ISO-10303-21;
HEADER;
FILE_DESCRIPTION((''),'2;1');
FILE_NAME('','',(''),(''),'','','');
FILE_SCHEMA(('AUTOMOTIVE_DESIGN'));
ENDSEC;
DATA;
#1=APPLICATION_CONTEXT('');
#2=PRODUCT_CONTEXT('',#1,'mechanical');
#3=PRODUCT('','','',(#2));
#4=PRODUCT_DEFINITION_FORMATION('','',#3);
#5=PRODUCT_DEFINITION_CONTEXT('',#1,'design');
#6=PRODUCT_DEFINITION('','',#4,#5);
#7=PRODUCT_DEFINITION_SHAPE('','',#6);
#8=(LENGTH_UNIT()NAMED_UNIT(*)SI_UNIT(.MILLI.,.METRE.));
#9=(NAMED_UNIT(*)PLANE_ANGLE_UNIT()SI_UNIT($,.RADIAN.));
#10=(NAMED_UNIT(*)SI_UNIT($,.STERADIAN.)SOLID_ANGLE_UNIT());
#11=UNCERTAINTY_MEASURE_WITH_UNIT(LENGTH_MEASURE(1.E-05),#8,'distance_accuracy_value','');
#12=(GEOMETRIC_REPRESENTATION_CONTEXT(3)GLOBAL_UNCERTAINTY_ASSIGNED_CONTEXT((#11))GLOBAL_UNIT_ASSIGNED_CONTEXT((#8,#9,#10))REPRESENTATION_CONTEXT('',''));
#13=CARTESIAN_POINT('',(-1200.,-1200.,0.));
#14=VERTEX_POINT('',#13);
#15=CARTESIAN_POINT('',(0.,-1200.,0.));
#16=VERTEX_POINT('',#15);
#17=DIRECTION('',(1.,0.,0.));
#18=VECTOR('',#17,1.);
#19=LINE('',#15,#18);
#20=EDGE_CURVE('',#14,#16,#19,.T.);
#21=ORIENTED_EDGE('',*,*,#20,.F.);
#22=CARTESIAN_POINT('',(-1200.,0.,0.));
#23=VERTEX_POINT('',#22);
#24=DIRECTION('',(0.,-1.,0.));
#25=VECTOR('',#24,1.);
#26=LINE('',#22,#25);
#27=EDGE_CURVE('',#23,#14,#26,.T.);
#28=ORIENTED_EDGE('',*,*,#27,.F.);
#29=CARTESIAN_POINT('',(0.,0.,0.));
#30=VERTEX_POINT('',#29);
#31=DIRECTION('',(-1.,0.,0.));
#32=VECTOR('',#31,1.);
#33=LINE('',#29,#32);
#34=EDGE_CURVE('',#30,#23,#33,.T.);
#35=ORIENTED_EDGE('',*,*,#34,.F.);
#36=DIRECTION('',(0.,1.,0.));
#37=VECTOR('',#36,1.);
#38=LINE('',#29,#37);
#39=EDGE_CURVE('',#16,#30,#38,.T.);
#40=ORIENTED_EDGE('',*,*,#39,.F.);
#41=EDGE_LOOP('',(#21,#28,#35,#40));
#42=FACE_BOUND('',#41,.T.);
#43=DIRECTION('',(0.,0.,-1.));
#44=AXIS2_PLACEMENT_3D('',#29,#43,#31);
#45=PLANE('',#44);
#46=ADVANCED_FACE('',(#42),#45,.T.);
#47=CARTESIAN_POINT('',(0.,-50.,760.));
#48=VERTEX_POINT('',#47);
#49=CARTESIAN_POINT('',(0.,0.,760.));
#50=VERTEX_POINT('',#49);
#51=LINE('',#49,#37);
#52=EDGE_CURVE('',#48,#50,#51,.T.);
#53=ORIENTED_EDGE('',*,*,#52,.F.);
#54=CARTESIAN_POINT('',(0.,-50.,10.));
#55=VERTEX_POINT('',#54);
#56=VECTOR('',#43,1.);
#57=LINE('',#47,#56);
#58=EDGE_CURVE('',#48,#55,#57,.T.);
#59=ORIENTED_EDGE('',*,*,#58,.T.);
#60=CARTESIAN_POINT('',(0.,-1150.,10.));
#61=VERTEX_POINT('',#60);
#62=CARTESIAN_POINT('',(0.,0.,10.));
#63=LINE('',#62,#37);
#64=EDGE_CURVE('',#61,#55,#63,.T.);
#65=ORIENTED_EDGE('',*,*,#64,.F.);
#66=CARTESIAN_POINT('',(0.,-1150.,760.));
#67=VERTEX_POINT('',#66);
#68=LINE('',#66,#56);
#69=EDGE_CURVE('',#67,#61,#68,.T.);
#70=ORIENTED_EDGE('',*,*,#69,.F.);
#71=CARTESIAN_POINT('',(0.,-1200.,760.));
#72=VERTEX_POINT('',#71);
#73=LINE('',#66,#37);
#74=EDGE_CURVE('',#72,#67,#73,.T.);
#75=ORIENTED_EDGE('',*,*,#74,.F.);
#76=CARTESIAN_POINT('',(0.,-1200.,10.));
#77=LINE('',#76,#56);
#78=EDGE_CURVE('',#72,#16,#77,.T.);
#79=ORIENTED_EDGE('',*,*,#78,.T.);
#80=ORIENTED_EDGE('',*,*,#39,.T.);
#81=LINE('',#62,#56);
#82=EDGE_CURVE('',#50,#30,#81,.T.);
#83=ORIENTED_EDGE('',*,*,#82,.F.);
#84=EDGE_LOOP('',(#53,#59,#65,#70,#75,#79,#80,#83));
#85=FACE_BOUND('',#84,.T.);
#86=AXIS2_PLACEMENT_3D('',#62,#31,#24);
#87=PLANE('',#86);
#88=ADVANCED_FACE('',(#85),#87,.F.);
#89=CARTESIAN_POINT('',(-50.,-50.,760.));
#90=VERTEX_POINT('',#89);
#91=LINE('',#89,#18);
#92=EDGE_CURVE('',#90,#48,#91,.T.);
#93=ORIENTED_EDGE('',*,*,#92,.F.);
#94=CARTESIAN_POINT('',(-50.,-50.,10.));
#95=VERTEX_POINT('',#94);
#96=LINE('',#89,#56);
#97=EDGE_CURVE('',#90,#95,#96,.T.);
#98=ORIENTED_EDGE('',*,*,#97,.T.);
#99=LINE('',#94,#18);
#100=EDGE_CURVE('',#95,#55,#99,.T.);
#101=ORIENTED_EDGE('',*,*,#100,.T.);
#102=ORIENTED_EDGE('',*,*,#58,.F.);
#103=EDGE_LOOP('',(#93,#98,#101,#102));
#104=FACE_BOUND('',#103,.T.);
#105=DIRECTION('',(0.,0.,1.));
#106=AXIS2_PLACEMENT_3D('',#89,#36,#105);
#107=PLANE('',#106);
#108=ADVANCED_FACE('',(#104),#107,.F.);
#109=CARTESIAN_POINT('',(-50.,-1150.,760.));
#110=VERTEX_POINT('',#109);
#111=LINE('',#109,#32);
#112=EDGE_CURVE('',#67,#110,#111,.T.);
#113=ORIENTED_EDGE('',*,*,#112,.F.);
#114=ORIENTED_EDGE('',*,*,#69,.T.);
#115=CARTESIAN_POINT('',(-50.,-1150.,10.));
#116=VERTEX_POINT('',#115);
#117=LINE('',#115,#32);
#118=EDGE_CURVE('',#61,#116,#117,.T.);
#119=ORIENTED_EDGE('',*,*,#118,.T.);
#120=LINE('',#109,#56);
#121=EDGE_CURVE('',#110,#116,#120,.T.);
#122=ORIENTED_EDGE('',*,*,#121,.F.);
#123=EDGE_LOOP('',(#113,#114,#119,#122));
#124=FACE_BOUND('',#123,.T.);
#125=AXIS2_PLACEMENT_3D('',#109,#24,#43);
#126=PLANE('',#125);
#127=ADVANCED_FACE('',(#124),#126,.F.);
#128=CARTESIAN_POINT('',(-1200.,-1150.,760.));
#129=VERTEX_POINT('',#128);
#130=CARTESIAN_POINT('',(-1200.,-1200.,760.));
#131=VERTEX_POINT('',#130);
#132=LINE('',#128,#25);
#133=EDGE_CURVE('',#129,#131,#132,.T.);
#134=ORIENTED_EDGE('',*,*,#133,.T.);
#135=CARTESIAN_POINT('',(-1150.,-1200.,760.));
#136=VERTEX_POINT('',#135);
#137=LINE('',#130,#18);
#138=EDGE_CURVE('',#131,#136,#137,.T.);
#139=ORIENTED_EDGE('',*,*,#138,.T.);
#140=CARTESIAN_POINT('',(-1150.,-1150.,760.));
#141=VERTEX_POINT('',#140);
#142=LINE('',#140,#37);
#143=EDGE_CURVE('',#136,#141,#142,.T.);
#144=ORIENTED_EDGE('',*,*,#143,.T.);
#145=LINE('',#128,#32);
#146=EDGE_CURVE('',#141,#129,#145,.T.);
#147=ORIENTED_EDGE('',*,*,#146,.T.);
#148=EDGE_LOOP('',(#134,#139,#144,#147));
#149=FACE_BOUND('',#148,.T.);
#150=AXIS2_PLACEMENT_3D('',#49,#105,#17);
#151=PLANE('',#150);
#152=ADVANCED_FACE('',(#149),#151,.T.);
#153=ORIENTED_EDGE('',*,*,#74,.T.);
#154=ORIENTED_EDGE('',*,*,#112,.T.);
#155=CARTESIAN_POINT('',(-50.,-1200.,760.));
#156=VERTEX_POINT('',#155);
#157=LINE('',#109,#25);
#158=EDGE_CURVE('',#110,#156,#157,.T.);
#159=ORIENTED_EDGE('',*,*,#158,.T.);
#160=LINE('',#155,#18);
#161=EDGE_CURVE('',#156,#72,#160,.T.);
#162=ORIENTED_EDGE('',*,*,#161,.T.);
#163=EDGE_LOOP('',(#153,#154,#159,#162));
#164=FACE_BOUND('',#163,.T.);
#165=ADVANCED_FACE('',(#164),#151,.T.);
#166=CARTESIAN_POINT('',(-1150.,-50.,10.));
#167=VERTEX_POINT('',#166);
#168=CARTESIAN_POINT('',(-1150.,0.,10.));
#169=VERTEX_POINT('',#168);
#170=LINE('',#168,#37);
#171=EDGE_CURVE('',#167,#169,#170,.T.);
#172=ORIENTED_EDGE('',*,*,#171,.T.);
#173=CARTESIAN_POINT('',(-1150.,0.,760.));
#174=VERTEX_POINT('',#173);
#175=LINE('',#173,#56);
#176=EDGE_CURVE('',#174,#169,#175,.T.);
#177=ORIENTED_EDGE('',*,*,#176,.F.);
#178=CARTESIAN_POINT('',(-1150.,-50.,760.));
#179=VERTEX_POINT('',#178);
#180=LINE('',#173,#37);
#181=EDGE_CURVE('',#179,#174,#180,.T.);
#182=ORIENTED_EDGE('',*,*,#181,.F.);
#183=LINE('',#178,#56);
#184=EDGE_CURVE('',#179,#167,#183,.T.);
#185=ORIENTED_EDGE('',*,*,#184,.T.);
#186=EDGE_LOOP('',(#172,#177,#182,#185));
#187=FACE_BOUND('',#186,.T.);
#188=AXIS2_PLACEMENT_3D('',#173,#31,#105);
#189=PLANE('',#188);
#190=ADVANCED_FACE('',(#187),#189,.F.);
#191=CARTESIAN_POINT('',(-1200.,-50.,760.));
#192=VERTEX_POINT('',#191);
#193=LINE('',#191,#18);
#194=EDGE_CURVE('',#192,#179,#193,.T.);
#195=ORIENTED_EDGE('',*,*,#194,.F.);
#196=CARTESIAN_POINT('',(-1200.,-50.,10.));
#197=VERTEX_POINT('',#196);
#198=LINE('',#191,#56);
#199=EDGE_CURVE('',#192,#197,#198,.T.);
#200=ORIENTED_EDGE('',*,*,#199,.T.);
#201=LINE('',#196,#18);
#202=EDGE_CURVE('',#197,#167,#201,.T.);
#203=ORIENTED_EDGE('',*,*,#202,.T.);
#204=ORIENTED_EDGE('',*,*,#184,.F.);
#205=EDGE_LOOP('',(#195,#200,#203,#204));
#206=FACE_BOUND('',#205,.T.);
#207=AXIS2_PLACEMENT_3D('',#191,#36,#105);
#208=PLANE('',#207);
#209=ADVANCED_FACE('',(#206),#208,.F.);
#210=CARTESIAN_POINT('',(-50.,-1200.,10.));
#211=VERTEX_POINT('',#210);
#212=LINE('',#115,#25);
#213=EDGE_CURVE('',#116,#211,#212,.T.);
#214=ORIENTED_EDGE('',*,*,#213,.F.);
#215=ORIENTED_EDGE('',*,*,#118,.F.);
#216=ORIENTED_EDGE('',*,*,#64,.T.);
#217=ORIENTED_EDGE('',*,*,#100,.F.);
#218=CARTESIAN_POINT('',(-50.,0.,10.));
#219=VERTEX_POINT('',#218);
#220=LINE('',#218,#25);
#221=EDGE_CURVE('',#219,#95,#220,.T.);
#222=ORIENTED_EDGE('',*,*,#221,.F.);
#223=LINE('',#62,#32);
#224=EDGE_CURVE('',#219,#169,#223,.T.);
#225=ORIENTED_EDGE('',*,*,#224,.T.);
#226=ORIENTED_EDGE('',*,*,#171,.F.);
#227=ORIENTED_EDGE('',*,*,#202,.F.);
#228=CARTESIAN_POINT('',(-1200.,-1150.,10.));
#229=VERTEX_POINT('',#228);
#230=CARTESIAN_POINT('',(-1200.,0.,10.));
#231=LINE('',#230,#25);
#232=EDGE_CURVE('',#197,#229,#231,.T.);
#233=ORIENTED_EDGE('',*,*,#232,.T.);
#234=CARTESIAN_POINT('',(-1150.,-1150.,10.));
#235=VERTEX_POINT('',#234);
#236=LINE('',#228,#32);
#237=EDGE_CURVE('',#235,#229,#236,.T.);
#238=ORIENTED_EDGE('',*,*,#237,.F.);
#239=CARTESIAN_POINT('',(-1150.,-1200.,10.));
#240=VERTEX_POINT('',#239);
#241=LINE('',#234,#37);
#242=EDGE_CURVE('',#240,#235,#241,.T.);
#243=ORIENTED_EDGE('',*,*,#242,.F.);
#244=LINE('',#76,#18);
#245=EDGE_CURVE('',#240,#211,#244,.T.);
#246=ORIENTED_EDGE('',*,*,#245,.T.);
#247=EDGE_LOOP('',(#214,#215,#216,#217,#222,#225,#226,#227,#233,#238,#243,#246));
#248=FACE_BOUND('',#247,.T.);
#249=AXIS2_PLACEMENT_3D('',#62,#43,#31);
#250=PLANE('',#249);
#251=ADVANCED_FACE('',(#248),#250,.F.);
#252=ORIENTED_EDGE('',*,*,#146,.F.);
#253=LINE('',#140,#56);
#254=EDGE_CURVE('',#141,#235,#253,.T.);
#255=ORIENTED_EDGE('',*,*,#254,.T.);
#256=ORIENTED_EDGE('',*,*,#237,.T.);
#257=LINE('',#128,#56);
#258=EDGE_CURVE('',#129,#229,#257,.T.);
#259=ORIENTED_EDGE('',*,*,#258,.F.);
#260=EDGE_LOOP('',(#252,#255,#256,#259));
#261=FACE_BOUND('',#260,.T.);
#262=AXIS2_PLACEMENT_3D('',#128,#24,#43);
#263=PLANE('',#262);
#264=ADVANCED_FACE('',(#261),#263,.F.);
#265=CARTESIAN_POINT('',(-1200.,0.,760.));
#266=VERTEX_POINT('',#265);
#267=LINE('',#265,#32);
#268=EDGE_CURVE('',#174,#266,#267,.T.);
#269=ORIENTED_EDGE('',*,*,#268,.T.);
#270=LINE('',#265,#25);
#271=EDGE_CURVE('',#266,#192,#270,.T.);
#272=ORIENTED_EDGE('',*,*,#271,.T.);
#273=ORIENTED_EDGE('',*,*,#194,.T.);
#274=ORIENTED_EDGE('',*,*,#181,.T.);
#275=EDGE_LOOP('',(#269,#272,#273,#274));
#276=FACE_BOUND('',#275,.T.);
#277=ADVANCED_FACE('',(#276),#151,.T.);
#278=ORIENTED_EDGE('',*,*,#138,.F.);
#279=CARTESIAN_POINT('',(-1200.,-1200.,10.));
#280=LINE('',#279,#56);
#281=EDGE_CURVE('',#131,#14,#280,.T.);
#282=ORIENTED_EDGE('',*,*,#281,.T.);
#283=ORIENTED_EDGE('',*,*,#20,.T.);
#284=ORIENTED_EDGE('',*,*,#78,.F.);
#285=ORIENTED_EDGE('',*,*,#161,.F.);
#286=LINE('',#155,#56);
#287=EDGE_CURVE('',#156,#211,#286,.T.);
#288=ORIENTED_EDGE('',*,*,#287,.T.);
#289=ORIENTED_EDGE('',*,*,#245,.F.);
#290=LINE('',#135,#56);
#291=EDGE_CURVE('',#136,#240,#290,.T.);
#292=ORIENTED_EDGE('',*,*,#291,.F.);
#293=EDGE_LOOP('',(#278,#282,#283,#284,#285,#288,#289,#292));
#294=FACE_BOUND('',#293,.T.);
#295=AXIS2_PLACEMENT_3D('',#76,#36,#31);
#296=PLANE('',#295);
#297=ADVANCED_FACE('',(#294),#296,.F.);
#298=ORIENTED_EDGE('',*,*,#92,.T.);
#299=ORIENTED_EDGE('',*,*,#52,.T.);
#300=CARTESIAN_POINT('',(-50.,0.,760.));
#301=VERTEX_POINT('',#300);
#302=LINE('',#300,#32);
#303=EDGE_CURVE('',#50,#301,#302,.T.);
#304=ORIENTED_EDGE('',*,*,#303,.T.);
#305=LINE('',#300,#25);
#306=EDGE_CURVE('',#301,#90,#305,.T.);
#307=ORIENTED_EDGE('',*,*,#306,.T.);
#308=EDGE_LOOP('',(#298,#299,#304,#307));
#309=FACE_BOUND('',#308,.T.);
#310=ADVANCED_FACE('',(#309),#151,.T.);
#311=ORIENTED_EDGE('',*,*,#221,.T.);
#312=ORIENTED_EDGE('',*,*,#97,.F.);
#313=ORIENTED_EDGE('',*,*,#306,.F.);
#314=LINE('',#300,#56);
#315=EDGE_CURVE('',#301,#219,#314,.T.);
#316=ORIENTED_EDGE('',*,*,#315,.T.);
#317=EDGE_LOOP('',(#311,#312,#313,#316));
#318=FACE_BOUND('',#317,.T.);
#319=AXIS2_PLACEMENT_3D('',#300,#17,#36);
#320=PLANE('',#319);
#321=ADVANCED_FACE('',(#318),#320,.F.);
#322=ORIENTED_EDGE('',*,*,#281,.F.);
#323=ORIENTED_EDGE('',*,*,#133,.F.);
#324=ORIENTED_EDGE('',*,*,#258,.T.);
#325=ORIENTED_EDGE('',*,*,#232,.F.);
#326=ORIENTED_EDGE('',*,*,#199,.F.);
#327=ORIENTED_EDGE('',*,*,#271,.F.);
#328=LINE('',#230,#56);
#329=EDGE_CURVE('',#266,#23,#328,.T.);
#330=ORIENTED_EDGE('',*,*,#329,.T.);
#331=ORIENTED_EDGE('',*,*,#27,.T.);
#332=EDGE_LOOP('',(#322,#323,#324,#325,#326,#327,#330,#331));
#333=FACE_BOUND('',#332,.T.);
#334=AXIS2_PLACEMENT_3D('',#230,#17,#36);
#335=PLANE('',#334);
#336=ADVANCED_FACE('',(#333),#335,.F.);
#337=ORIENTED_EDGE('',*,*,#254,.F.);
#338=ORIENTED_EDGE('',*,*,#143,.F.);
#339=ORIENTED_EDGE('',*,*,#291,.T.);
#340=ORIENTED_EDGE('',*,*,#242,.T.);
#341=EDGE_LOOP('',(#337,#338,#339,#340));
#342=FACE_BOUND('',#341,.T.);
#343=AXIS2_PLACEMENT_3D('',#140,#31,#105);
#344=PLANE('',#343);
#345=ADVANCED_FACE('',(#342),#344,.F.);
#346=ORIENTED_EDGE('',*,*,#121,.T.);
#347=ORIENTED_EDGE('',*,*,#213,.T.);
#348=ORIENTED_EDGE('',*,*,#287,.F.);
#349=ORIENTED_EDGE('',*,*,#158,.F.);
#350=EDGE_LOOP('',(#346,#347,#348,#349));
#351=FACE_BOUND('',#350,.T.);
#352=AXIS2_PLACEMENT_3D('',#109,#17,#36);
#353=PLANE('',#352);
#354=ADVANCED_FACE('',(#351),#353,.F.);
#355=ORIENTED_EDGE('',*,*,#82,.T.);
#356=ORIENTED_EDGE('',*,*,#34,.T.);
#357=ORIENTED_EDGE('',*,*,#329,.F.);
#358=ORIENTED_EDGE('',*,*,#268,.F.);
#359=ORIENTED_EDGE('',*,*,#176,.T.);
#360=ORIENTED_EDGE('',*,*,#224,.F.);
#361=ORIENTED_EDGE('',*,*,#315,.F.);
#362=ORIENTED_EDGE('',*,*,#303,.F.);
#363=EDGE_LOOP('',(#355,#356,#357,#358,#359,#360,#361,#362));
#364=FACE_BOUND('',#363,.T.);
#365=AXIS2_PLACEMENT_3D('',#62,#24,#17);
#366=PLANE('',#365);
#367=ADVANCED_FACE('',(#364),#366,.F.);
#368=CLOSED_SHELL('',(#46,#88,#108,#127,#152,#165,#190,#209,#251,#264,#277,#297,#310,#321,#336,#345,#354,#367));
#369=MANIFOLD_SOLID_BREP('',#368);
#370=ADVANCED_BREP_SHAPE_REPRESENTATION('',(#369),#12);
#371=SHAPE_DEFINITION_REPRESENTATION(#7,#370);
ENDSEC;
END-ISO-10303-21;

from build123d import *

# Parameters (mm, degrees)
SKETCH1_W           = 1200
SKETCH1_H           = 1200
BOSS_EXTRUDE1_DEPTH = 10
SKETCH2_W           = 50
SKETCH2_H           = 50
BOSS_EXTRUDE2_DEPTH = 750


with BuildPart() as part:
    # Sketch1 → Boss-Extrude1 (new body)
    with BuildSketch(Plane.XY):
        with Locations((-600, -600)):
            Rectangle(SKETCH1_W, SKETCH1_H)
    extrude(amount=BOSS_EXTRUDE1_DEPTH)

    # Sketch2 → Boss-Extrude2 (add)
    with BuildSketch(Plane.XY.offset(10)):
        with Locations((-1175, -1175)):
            Rectangle(SKETCH2_W, SKETCH2_H)
        with Locations((-1175, -25)):
            Rectangle(SKETCH2_W, SKETCH2_H)
        with Locations((-25, -1175)):
            Rectangle(SKETCH2_W, SKETCH2_H)
        with Locations((-25, -25)):
            Rectangle(SKETCH2_W, SKETCH2_H)
    extrude(amount=BOSS_EXTRUDE2_DEPTH)


solid = part.part
